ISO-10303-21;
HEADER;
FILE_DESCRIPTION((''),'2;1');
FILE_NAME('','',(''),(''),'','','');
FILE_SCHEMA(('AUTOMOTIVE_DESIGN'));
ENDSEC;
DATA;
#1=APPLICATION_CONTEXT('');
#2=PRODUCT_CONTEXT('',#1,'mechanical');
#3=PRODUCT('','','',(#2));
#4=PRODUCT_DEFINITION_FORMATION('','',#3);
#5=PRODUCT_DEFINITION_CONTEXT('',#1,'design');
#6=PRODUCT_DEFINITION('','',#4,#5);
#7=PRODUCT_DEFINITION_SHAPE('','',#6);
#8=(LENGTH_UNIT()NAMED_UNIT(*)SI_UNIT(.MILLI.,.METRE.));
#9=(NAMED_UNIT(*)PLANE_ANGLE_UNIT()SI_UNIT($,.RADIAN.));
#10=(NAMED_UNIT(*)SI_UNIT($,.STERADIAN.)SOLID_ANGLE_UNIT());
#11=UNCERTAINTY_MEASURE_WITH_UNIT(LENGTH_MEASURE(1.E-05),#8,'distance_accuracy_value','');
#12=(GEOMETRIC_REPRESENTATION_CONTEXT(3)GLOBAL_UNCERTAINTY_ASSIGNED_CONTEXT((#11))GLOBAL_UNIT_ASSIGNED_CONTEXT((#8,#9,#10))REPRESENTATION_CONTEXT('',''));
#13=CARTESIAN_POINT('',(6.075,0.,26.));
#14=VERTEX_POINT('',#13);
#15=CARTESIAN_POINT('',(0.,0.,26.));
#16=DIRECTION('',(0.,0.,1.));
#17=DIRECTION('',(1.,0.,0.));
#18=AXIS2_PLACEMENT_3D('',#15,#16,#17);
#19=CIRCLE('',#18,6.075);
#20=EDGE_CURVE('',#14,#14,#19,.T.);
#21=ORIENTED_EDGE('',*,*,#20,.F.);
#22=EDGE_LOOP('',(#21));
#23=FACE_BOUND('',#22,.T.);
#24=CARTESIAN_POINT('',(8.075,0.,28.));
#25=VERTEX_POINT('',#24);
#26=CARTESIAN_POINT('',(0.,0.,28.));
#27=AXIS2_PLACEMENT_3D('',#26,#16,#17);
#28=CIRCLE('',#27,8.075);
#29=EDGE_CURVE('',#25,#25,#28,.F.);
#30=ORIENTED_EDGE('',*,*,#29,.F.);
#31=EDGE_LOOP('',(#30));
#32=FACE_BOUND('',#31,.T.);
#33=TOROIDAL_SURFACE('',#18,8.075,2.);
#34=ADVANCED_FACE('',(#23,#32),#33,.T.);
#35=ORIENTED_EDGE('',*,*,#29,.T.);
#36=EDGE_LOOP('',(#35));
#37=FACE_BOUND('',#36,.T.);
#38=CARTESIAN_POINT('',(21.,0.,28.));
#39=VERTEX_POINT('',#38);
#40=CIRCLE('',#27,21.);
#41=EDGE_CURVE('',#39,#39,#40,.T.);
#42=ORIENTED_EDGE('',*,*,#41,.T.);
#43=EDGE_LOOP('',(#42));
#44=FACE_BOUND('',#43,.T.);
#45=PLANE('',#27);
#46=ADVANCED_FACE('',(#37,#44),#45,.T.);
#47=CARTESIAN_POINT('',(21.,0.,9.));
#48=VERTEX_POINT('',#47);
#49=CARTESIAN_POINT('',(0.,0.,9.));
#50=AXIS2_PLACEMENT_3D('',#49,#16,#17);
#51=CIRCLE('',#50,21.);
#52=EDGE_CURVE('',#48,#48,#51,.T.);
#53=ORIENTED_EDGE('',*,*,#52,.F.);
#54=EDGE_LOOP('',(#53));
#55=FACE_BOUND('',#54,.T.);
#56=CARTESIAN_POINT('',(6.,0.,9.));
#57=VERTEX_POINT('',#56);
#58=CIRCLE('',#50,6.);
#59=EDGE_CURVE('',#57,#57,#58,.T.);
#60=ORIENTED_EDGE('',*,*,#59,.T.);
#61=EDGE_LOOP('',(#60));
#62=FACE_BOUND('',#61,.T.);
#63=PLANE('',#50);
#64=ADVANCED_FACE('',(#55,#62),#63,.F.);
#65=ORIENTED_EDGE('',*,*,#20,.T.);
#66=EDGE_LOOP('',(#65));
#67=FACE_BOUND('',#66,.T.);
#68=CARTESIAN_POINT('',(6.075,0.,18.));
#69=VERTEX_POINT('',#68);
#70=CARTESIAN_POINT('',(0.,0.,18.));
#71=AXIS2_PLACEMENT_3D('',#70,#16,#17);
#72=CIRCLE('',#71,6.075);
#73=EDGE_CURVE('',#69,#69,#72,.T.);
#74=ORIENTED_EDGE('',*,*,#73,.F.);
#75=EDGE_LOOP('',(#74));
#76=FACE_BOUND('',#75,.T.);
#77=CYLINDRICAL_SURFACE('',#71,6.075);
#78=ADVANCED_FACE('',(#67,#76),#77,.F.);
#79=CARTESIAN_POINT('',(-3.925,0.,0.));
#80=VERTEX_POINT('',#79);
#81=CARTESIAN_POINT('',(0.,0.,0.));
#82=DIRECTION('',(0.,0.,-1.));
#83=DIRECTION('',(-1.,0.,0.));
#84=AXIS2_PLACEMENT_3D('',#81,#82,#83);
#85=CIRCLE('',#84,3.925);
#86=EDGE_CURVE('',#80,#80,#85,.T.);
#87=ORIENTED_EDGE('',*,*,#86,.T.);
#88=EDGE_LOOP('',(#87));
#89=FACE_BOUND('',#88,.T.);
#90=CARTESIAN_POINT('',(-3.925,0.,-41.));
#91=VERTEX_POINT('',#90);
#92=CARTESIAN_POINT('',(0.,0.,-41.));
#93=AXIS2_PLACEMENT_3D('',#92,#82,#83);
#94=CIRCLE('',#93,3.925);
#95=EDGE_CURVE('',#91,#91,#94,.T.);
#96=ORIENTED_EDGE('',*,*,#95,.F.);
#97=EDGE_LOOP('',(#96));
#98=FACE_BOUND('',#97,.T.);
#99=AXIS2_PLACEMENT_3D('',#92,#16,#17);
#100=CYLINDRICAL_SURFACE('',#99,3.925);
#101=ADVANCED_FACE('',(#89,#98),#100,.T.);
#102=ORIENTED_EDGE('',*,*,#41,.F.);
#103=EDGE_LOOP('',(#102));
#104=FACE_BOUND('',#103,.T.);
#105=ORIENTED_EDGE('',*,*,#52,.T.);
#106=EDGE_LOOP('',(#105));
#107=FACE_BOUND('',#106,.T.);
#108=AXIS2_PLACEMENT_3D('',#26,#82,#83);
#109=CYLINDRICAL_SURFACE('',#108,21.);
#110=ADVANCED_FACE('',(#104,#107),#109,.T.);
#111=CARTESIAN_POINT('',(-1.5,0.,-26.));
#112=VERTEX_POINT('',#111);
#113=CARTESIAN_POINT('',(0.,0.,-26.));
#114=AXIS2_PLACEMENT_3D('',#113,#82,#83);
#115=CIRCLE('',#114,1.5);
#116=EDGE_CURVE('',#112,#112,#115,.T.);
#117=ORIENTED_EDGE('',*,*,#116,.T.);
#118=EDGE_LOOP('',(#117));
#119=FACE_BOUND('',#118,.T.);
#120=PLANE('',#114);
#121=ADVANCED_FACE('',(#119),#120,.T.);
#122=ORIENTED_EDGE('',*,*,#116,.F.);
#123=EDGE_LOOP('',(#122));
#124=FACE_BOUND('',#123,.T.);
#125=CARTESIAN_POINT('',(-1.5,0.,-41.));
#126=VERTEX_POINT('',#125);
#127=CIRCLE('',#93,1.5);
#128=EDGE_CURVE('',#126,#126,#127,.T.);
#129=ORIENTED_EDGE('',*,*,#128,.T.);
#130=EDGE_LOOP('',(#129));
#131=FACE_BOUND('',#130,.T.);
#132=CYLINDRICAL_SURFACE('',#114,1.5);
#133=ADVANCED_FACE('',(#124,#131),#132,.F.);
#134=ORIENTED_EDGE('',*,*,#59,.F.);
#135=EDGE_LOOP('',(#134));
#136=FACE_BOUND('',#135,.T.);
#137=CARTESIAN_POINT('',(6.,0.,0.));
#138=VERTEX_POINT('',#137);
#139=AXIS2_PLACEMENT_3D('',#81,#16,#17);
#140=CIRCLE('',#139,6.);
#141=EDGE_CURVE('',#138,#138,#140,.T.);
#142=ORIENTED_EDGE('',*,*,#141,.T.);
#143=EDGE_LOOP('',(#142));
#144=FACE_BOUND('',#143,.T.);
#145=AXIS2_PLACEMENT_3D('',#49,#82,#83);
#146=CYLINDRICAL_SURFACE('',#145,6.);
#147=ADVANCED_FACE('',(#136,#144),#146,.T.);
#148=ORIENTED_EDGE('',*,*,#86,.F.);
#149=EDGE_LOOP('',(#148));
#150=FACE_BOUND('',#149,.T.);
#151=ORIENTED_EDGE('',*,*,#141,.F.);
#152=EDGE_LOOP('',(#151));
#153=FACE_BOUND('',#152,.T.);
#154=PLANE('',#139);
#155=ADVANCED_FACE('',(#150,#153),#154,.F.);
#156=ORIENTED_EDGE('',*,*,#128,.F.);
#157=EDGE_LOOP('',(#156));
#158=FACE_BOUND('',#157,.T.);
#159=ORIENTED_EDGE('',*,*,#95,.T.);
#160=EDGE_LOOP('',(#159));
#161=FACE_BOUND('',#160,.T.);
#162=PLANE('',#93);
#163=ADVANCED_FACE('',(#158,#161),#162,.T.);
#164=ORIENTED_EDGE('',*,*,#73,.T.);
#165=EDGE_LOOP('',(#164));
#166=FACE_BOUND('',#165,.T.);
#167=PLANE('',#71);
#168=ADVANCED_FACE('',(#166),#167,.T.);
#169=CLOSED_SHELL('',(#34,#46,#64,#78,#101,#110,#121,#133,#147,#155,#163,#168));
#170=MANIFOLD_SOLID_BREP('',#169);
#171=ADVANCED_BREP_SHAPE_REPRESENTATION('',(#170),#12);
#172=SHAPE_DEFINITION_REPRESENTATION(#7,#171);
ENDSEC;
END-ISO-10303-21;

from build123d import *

# Parameters (mm, degrees)
SKIZZE1_R                       = 6
AUFSATZ_LINEAR_AUSTRAGEN1_DEPTH = 9
SKIZZE2_R                       = 3.925
AUFSATZ_LINEAR_AUSTRAGEN2_DEPTH = 41
SKIZZE3_R                       = 21
AUFSATZ_LINEAR_AUSTRAGEN3_DEPTH = 19
SKIZZE4_R                       = 6.075
SCHNITT_LINEAR_AUSTRAGEN2_DEPTH = 10
VERRUNDUNG1_R                   = 2
SKIZZE5_R                       = 1.5
SCHNITT_LINEAR_AUSTRAGEN3_DEPTH = 15


with BuildPart() as part:
    # Skizze1 → Aufsatz-Linear austragen1 (new body)
    with BuildSketch(Plane.XY):
        Circle(SKIZZE1_R)
    extrude(amount=AUFSATZ_LINEAR_AUSTRAGEN1_DEPTH)

    # Skizze2 → Aufsatz-Linear austragen2 (add)
    with BuildSketch(Plane(origin=(0, 0, 0), x_dir=(-1, 0, 0), z_dir=(0, 0, -1))):
        Circle(SKIZZE2_R)
    extrude(amount=AUFSATZ_LINEAR_AUSTRAGEN2_DEPTH)

    # Skizze3 → Aufsatz-Linear austragen3 (add)
    with BuildSketch(Plane.XY.offset(9)):
        Circle(SKIZZE3_R)
    extrude(amount=AUFSATZ_LINEAR_AUSTRAGEN3_DEPTH)

    # Skizze4 → Schnitt-Linear austragen2 (cut)
    with BuildSketch(Plane.XY.offset(28)):
        Circle(SKIZZE4_R)
    extrude(amount=-SCHNITT_LINEAR_AUSTRAGEN2_DEPTH, mode=Mode.SUBTRACT)

    # Verrundung1
    verrundung1_edges = [part.edges().sort_by_distance(p)[0] for p in [
        (-6.075, 0, 28),
    ]]
    fillet(verrundung1_edges, radius=VERRUNDUNG1_R)

    # Skizze5 → Schnitt-Linear austragen3 (cut)
    with BuildSketch(Plane(origin=(0, 0, -41), x_dir=(-1, 0, 0), z_dir=(0, 0, -1))):
        Circle(SKIZZE5_R)
    extrude(amount=-SCHNITT_LINEAR_AUSTRAGEN3_DEPTH, mode=Mode.SUBTRACT)


solid = part.part
